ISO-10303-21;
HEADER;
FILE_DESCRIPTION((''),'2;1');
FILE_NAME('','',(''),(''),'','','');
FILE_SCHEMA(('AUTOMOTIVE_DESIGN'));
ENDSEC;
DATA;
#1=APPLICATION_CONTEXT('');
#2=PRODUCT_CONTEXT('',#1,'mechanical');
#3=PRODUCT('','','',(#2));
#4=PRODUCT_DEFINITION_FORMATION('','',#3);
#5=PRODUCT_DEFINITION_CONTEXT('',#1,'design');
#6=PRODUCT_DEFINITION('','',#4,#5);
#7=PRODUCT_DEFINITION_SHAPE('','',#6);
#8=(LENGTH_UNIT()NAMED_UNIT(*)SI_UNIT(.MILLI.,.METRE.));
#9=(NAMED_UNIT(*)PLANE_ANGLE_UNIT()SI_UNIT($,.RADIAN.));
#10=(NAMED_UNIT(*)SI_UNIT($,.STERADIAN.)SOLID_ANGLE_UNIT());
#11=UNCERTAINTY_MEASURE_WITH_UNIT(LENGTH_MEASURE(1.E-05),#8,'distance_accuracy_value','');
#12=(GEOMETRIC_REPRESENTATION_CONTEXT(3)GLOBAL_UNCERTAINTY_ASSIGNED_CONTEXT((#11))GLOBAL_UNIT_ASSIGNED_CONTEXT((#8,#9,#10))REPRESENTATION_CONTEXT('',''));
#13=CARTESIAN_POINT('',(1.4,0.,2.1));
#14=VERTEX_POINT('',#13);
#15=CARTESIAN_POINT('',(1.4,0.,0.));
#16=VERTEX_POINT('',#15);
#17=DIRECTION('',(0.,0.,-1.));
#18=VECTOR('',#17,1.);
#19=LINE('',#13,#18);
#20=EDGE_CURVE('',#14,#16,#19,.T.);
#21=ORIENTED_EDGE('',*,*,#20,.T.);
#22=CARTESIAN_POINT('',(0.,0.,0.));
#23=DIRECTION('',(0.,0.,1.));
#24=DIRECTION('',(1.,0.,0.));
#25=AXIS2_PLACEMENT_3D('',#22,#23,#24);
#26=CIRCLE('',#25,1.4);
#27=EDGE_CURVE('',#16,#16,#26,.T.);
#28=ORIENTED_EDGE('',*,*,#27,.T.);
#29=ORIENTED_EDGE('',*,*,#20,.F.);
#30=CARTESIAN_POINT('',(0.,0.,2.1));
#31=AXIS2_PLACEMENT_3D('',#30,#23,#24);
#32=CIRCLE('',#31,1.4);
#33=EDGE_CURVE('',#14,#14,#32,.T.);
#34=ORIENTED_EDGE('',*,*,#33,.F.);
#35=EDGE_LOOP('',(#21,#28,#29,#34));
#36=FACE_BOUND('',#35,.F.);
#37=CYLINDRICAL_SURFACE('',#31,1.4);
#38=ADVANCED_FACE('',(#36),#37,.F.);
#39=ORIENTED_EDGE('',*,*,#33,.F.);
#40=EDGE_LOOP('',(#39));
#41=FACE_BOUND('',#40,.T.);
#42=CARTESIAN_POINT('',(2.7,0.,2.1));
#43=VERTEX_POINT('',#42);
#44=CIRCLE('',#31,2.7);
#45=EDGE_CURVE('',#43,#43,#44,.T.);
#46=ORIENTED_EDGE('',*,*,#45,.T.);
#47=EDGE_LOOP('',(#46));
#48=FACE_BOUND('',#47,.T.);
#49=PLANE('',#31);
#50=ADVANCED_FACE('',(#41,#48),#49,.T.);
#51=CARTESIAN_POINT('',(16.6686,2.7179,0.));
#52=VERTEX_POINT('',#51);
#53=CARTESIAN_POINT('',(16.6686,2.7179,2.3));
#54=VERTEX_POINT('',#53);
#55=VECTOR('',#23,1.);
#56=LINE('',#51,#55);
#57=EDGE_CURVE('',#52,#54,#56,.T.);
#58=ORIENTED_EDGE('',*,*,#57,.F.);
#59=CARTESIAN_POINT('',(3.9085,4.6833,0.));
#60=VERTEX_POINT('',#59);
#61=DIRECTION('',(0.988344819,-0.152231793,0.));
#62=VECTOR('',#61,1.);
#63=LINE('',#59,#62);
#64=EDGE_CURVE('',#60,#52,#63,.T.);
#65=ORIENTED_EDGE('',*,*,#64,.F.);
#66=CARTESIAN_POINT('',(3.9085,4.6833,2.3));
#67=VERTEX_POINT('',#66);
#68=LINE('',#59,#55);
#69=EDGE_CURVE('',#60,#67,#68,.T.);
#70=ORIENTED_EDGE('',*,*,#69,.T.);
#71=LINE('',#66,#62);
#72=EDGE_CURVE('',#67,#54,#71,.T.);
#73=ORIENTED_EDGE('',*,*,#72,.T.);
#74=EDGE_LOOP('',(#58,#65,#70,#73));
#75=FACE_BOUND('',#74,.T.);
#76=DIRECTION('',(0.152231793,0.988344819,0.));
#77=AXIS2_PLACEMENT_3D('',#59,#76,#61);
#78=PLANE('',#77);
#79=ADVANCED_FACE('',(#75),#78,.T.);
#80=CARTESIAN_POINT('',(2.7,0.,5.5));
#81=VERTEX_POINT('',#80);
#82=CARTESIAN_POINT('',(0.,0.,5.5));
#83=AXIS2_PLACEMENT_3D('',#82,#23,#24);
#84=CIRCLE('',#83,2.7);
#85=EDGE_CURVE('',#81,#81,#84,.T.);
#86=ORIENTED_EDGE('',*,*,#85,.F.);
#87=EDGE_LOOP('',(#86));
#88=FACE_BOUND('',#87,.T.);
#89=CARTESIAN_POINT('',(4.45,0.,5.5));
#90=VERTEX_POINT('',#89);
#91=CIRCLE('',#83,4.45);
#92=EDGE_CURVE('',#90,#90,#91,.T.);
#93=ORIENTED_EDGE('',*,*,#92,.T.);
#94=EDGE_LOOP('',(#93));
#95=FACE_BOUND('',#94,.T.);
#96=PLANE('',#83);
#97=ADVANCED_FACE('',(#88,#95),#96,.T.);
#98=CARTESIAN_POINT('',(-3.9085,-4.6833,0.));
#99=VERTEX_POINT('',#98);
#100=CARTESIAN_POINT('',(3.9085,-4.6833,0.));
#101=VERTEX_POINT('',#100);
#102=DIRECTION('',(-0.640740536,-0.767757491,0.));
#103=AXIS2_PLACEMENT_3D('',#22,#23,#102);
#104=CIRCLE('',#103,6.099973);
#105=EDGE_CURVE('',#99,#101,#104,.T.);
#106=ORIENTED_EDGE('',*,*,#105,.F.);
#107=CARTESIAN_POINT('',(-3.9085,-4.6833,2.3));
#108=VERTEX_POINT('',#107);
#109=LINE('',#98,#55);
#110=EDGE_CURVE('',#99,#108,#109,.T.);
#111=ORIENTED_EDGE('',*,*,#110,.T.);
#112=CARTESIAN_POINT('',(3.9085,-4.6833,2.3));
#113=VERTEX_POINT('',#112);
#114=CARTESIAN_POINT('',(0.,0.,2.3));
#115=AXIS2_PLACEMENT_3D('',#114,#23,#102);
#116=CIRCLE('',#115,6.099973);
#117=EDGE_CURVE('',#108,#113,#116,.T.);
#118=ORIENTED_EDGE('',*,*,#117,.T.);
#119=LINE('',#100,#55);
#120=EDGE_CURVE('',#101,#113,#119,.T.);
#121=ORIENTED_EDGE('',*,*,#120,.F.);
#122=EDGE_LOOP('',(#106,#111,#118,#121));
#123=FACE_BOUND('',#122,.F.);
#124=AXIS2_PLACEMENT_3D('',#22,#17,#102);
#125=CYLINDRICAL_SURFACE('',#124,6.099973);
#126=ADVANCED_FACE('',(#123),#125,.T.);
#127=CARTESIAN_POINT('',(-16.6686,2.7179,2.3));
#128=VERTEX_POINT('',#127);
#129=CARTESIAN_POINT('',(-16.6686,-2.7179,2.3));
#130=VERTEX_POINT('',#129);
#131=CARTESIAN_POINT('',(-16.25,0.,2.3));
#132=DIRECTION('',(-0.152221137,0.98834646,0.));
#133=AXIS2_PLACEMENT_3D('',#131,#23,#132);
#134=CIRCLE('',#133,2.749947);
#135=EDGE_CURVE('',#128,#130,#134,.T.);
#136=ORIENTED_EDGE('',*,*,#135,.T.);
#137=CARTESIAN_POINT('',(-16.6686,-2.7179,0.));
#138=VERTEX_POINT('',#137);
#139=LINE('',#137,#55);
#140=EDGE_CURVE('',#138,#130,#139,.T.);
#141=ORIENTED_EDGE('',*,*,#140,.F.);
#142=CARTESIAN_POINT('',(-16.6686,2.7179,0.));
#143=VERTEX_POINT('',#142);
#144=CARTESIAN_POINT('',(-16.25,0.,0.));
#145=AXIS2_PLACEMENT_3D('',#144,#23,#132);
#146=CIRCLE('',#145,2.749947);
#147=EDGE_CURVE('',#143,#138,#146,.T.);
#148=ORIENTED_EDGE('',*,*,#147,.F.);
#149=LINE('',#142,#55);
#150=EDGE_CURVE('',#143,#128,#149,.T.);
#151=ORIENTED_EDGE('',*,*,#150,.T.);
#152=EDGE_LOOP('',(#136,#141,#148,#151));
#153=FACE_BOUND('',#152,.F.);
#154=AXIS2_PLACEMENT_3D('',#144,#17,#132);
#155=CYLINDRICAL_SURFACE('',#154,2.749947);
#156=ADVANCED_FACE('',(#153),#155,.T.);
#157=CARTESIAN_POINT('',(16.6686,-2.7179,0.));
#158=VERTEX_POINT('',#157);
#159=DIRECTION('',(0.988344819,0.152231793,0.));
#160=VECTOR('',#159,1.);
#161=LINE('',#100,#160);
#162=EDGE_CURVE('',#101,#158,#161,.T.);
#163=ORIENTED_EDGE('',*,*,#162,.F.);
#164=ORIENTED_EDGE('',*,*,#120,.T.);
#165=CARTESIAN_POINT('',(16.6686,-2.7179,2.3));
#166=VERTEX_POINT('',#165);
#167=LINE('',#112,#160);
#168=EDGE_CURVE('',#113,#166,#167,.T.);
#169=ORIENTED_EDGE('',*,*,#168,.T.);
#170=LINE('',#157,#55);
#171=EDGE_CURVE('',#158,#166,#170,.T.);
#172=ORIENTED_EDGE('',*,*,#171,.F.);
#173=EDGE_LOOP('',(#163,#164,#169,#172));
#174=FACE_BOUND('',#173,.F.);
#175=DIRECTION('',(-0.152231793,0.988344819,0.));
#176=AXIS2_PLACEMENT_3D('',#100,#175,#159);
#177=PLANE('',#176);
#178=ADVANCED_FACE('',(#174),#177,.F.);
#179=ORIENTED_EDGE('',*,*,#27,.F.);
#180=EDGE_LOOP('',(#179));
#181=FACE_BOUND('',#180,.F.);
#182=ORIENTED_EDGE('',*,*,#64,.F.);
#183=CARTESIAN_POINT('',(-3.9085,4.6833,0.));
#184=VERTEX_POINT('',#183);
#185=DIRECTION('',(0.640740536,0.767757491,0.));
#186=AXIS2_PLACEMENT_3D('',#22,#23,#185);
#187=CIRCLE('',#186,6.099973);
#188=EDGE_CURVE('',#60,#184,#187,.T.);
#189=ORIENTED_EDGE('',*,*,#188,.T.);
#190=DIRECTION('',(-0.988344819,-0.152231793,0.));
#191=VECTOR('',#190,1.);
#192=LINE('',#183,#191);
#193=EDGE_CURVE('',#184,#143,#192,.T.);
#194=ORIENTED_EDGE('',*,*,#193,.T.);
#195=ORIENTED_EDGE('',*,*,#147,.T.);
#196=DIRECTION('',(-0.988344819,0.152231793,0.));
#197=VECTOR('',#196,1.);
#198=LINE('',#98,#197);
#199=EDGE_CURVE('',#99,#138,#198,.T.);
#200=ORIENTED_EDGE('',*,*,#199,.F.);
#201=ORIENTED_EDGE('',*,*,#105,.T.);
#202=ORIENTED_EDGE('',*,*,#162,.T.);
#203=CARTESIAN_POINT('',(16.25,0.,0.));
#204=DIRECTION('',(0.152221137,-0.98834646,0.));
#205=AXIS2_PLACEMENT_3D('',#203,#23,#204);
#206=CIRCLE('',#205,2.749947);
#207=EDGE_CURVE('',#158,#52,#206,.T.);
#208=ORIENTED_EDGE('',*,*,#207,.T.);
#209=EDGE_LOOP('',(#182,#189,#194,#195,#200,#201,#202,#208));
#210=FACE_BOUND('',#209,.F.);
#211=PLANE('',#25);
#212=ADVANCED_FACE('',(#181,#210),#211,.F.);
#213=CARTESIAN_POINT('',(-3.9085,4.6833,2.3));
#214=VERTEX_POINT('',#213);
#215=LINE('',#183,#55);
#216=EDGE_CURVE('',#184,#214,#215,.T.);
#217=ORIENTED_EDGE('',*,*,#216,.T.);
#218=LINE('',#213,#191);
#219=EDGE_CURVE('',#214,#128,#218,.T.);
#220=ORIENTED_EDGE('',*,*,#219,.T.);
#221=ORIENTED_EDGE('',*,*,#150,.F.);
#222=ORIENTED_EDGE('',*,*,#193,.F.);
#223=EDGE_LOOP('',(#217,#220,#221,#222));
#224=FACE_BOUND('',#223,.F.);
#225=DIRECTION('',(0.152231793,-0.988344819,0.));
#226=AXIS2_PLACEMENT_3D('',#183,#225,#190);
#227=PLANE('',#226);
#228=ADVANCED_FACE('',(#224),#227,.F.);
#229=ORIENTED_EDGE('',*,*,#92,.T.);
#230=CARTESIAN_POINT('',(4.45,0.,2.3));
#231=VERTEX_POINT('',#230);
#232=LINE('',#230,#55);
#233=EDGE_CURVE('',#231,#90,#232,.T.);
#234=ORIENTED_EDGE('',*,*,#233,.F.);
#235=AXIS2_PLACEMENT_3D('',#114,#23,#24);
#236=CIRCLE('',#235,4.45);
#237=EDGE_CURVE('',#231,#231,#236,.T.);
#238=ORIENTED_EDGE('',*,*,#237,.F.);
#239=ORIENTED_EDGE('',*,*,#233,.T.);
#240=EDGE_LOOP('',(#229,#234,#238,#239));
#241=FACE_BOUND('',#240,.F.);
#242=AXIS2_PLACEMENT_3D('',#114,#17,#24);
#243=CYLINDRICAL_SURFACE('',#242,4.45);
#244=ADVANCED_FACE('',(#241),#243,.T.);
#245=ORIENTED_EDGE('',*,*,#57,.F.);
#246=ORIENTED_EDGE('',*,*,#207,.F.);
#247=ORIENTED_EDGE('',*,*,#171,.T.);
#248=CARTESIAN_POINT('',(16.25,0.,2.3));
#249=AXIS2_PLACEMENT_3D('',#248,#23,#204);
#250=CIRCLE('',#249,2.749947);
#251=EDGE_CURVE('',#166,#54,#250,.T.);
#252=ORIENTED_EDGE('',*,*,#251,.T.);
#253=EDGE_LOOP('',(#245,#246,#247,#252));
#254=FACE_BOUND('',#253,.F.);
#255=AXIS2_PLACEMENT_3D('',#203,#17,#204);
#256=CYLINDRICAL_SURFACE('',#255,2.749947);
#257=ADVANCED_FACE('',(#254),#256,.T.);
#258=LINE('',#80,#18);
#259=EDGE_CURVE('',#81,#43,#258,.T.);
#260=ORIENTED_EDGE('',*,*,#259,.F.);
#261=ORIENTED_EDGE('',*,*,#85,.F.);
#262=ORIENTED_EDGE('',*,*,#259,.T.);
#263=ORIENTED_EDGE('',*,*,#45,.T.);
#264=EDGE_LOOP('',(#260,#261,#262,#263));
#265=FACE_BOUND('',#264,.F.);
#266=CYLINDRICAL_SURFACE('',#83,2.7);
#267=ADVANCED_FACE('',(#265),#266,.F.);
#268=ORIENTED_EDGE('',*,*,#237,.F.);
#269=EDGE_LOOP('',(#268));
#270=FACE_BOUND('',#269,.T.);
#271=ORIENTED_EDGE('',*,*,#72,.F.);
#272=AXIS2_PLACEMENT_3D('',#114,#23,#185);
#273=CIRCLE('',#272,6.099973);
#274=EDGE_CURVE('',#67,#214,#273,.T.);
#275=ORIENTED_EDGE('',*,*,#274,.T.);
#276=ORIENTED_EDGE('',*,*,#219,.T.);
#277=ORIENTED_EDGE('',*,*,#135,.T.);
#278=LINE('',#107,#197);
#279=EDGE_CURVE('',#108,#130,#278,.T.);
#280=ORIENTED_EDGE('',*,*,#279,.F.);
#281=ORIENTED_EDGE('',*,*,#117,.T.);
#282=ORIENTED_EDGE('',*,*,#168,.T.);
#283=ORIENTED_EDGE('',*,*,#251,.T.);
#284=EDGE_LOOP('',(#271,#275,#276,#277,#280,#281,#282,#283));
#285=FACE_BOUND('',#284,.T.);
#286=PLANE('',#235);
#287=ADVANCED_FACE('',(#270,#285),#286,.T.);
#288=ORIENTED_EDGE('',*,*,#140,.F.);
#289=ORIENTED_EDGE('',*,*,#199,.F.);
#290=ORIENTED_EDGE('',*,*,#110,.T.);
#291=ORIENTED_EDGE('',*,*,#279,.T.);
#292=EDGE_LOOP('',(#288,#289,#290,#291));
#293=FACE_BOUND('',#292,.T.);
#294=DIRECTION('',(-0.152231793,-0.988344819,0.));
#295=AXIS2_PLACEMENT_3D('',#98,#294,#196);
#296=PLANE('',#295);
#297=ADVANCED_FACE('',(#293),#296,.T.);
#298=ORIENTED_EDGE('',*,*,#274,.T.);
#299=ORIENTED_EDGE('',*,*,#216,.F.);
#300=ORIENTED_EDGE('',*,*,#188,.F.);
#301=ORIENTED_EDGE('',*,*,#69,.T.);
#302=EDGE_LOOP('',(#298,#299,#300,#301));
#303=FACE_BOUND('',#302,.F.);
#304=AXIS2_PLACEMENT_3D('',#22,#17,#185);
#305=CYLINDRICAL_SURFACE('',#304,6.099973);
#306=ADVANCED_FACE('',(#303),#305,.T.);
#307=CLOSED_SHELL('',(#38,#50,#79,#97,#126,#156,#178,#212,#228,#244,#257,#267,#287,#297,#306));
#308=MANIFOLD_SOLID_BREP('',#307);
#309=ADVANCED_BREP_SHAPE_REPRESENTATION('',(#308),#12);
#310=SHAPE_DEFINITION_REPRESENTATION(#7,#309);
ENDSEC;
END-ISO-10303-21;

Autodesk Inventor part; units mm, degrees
ref_plane "YZ Plane" through (0, 0, 0) normal (1, 0, 0) x (0, 1, 0)
ref_plane "XY Plane" through (0, 0, 0) normal (0, 0, 1) x (1, 0, 0)
sketch "Sketch1" plane through (0, 0, 0) normal (0, 0, 1) x (1, 0, 0)
  arc A0 (-16.6686, 2.7179) -> (-16.6686, -2.7179) centre (-16.25, 0) ccw
  arc A1 (16.6686, -2.7179) -> (16.6686, 2.7179) centre (16.25, 0) ccw
  line L0 (-3.9085, 4.6833) -> (-16.6686, 2.7179)
  line L1 (-3.9085, -4.6833) -> (-16.6686, -2.7179)
  line L2 (3.9085, -4.6833) -> (16.6686, -2.7179)
  line L3 (3.9085, 4.6833) -> (16.6686, 2.7179)
  arc A2 (-3.9085, -4.6833) -> (3.9085, -4.6833) centre (0, 0) ccw
  arc A3 (3.9085, 4.6833) -> (-3.9085, 4.6833) centre (0, 0) ccw
  point P0 (0, 4.6833)
  dimension "d2" = 5.5
  dimension "d3" = 5.5
extrude "Extrusion1" add sketch "Sketch1" along normal blind 2.3
sketch "Sketch2" plane through (0, 0, 2.3) normal (0, 0, 1) x (1, 0, 0)
  arc A0 (-3.9085, -4.6833) -> (3.9085, -4.6833) centre (0, 0) ccw projected
  circle A1 centre (0, 0) radius 4.45
  dimension "d6" = 8.9
extrude "Extrusion2" add sketch "Sketch2" along normal blind 3.2
sketch "Sketch3" plane through (0, 0, 5.5) normal (0, 0, 1) x (1, 0, 0)
  circle A0 centre (0, 0) radius 4.45 projected
  circle A1 centre (0, 0) radius 2.7
  dimension "d9" = 5.4
extrude "Extrusion3" cut sketch "Sketch3" against normal blind 3.4 contours A1
sketch "Sketch4" plane through (0, 0, 2.1) normal (0, 0, 1) x (1, 0, 0)
  circle A0 centre (0, 0) radius 2.7 projected
  circle A1 centre (0, 0) radius 1.4
  dimension "d12" = 2.8
extrude "Extrusion4" cut sketch "Sketch4" against normal blind 3.4 contours A1
ref_plane "ConstraintPlane" through (0, 0, 0) normal (0, 1, 0) x (-1, 0, 0)
properties part number "MG996RHorn"
